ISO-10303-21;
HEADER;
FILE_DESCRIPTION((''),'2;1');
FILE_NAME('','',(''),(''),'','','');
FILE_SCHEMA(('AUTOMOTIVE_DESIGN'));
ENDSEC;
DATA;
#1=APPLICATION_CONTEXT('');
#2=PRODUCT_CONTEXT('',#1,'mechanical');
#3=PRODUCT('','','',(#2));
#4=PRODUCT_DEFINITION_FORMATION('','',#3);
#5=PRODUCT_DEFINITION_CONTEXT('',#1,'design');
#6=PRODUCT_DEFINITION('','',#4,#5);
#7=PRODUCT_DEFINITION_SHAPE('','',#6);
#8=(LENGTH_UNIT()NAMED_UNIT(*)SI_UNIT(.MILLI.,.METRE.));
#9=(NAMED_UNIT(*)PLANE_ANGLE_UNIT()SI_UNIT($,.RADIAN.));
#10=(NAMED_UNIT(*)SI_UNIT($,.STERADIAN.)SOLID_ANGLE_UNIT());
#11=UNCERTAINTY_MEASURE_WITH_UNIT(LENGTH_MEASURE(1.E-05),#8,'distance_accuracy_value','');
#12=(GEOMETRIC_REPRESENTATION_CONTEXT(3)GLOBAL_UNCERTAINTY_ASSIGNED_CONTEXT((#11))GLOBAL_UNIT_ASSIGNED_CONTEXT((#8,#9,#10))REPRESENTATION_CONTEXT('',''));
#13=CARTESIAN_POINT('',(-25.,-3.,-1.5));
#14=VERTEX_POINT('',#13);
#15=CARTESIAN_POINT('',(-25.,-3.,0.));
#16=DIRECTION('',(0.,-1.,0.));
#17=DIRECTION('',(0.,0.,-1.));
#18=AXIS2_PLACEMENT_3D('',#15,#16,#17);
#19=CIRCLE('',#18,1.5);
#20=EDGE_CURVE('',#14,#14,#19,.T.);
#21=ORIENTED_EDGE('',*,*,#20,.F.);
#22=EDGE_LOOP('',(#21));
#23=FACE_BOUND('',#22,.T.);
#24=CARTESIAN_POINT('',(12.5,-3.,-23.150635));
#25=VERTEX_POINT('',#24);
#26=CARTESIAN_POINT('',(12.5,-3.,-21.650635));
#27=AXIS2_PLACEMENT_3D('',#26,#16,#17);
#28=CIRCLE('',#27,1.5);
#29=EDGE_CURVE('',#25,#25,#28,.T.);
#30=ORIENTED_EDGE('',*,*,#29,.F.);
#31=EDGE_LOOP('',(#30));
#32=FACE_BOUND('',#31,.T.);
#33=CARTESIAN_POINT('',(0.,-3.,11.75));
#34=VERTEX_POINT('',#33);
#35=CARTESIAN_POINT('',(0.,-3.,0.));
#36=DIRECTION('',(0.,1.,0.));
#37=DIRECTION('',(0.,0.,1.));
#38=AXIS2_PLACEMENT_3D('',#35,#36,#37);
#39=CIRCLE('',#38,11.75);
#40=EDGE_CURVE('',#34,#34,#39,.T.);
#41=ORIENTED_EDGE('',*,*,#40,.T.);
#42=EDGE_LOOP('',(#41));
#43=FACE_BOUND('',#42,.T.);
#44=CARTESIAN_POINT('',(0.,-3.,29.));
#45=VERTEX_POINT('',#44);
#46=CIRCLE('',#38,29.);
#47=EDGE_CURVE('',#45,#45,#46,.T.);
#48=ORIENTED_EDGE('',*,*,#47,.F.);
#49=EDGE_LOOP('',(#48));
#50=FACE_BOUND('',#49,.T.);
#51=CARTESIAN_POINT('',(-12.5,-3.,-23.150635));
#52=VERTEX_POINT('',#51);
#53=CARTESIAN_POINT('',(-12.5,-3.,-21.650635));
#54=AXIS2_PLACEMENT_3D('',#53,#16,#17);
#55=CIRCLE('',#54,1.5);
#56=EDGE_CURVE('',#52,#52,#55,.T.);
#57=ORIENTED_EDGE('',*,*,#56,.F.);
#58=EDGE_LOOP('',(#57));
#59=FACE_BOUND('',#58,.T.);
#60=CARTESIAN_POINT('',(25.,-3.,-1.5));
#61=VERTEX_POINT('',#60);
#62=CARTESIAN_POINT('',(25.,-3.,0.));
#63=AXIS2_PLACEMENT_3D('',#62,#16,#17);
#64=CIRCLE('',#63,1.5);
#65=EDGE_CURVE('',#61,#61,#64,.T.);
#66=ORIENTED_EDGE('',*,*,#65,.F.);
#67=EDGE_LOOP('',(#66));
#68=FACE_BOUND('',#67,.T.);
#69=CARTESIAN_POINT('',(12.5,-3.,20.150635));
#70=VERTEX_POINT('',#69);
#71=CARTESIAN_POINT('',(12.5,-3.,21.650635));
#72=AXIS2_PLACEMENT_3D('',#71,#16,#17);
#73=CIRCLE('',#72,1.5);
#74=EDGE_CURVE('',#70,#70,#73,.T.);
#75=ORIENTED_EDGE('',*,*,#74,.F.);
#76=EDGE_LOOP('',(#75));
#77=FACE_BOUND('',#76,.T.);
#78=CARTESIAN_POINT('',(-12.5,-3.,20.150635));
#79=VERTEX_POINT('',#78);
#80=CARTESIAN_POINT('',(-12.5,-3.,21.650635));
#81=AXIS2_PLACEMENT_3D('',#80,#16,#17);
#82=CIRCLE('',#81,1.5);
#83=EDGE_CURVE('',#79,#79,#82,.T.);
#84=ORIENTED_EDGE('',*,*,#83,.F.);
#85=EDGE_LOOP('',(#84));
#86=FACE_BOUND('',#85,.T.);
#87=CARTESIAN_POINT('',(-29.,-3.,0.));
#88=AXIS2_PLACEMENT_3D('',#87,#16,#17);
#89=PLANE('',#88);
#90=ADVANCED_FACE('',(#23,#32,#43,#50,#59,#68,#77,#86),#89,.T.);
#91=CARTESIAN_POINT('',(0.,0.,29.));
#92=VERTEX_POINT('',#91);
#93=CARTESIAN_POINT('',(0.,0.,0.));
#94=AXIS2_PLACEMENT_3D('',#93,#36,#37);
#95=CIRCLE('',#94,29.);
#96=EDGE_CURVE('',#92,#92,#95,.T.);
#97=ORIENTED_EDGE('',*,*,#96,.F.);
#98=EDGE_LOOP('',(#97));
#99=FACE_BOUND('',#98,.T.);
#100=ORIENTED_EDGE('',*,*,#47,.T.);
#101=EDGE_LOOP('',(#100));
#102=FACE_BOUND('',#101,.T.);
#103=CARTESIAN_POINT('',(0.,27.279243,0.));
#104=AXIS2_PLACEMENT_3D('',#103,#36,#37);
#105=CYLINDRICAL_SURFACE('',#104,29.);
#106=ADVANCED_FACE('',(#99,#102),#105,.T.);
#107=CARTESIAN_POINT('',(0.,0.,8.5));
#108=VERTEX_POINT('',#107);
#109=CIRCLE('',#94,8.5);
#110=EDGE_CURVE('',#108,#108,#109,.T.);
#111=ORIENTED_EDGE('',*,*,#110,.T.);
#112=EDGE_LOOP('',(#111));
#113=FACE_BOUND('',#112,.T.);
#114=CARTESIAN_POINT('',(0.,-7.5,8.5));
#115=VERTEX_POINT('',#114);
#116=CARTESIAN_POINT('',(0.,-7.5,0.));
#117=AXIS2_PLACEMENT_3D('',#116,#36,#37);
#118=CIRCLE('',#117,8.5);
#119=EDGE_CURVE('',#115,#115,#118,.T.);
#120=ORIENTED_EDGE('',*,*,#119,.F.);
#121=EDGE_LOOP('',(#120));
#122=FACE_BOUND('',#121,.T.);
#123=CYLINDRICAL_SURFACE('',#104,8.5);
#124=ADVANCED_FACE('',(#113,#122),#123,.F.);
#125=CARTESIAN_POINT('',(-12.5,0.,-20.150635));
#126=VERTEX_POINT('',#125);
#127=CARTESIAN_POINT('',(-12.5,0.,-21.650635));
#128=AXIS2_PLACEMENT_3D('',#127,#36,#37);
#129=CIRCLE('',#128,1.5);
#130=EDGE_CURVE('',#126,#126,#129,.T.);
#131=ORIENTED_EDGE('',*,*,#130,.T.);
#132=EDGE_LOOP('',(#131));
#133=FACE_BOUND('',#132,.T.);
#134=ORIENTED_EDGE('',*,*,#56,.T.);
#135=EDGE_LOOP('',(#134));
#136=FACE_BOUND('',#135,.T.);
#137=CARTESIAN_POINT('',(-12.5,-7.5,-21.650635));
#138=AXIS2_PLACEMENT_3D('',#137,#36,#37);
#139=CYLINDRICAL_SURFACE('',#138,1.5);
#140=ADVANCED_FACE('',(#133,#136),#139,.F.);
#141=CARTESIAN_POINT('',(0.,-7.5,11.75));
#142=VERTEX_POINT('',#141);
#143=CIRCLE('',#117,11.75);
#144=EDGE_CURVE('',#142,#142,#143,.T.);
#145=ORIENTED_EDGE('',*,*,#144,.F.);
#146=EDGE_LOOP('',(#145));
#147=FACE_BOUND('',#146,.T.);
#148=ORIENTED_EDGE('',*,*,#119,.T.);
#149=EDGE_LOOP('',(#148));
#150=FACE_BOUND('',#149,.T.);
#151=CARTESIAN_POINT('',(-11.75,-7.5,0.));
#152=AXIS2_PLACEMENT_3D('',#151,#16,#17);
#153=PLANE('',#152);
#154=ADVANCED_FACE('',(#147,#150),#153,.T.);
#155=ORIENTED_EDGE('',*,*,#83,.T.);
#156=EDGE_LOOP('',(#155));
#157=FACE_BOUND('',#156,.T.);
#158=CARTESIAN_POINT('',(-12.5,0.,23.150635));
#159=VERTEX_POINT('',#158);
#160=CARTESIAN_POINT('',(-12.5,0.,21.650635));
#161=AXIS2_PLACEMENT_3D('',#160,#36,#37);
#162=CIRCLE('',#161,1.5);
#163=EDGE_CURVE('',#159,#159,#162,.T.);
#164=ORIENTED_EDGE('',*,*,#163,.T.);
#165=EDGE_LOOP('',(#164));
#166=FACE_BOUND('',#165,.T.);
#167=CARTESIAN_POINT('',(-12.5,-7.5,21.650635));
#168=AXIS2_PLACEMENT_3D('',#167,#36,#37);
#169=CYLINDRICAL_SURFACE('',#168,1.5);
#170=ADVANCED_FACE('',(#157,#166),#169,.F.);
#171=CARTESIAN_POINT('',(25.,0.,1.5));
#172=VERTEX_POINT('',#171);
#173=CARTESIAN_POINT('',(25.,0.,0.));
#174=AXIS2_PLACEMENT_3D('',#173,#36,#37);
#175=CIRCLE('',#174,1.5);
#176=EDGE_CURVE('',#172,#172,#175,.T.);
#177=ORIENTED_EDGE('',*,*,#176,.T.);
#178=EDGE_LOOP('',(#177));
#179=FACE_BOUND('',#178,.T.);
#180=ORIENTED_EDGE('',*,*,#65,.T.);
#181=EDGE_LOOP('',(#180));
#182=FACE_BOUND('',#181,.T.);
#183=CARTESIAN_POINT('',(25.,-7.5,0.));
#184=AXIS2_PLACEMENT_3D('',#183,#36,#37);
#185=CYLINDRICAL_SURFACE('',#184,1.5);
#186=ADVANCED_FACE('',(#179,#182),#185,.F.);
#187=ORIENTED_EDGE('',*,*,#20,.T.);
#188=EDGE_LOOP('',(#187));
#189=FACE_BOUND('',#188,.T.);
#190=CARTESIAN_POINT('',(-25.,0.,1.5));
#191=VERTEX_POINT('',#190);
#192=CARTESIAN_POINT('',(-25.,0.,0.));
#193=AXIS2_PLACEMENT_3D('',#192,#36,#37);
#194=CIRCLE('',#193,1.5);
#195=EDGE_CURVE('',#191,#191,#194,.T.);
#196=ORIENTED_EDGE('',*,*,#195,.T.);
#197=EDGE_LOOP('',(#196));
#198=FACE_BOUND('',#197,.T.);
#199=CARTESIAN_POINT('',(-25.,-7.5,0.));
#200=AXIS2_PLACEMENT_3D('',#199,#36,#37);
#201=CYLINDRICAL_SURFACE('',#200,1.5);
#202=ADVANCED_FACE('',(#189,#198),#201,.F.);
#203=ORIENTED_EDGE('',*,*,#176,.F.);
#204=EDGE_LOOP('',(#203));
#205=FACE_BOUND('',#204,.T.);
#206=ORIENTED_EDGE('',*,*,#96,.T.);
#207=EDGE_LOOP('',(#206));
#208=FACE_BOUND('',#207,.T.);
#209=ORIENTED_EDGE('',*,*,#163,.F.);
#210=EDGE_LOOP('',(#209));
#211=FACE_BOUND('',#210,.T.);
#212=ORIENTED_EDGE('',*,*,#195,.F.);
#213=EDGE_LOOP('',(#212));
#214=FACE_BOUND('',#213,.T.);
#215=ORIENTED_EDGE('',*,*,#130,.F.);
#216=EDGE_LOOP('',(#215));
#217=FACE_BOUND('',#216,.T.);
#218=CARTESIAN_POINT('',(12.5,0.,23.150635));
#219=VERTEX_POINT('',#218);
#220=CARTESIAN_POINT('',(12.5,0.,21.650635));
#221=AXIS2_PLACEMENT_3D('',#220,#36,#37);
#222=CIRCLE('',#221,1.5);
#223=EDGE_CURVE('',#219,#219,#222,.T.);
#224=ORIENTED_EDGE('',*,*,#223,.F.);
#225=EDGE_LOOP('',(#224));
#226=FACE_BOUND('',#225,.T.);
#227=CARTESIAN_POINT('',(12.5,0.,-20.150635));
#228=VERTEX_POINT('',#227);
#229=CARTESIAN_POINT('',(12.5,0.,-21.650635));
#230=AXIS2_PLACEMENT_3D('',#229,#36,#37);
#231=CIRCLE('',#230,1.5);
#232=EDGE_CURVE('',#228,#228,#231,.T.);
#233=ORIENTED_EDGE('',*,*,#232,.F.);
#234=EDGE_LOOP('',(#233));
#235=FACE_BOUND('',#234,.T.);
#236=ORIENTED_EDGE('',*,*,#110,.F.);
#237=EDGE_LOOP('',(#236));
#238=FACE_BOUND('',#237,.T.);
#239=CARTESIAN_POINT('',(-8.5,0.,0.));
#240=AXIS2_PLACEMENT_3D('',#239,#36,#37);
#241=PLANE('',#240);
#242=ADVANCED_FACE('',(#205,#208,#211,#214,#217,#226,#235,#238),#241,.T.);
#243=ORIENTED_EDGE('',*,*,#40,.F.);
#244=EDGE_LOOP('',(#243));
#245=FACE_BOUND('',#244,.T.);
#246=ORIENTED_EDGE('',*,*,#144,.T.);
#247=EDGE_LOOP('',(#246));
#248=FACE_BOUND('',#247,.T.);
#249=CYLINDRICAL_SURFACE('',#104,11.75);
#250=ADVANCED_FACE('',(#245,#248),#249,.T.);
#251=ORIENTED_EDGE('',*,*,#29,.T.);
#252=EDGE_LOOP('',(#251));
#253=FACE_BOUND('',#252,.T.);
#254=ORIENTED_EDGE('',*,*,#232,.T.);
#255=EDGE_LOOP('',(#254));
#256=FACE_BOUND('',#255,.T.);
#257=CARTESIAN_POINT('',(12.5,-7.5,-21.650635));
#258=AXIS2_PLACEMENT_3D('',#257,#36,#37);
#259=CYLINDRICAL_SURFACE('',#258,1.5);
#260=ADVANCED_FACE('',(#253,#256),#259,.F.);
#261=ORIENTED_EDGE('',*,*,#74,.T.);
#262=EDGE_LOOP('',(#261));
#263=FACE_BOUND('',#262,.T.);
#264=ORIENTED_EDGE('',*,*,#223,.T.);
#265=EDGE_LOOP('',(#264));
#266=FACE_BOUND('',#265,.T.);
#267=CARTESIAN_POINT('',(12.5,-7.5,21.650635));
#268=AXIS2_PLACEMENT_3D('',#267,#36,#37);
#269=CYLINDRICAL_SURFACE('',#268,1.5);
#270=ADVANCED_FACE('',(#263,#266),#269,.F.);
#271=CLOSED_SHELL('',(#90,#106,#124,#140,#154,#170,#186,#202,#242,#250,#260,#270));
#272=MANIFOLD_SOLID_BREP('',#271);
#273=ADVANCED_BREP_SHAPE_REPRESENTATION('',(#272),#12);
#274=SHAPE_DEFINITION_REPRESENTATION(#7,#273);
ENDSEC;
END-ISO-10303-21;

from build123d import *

# Parameters (mm, degrees)
SKETCH5_R          = 1.5
CUT_EXTRUDE1_DEPTH = 42.692325433


with BuildPart() as part:
    # Sketch4 → Revolve1 (revolve)
    with BuildSketch(Plane.XY, mode=Mode.PRIVATE) as revolve1_sk:
        Polygon((-8.5, 0), (-29, 0), (-29, -3), (-11.75, -3), (-11.75, -7.5), (-8.5, -7.5), align=None)
    revolve(revolve1_sk.sketch.rotate(Axis((0, 27.279243053, 0), (0, -1, 0)), 270), axis=Axis((0, 27.279243053, 0), (0, -1, 0)))

    # Sketch5 → Cut-Extrude1 (cut, through all)
    with BuildSketch(Plane(origin=(0, 0, 0), x_dir=(1, 0, 0), z_dir=(0, 1, 0))):
        with Locations(Location((-25, 0, 0), (0, 0, 270))):
            Circle(SKETCH5_R)
        with Locations(Location((-12.5, 21.650635095, 0), (0, 0, 270))):
            Circle(SKETCH5_R)
        with Locations(Location((12.5, 21.650635095, 0), (0, 0, 270))):
            Circle(SKETCH5_R)
        with Locations(Location((25, 0, 0), (0, 0, 270))):
            Circle(SKETCH5_R)
        with Locations(Location((12.5, -21.650635095, 0), (0, 0, 270))):
            Circle(SKETCH5_R)
        with Locations(Location((-12.5, -21.650635095, 0), (0, 0, 270))):
            Circle(SKETCH5_R)
    extrude(amount=-CUT_EXTRUDE1_DEPTH, mode=Mode.SUBTRACT)


solid = part.part
